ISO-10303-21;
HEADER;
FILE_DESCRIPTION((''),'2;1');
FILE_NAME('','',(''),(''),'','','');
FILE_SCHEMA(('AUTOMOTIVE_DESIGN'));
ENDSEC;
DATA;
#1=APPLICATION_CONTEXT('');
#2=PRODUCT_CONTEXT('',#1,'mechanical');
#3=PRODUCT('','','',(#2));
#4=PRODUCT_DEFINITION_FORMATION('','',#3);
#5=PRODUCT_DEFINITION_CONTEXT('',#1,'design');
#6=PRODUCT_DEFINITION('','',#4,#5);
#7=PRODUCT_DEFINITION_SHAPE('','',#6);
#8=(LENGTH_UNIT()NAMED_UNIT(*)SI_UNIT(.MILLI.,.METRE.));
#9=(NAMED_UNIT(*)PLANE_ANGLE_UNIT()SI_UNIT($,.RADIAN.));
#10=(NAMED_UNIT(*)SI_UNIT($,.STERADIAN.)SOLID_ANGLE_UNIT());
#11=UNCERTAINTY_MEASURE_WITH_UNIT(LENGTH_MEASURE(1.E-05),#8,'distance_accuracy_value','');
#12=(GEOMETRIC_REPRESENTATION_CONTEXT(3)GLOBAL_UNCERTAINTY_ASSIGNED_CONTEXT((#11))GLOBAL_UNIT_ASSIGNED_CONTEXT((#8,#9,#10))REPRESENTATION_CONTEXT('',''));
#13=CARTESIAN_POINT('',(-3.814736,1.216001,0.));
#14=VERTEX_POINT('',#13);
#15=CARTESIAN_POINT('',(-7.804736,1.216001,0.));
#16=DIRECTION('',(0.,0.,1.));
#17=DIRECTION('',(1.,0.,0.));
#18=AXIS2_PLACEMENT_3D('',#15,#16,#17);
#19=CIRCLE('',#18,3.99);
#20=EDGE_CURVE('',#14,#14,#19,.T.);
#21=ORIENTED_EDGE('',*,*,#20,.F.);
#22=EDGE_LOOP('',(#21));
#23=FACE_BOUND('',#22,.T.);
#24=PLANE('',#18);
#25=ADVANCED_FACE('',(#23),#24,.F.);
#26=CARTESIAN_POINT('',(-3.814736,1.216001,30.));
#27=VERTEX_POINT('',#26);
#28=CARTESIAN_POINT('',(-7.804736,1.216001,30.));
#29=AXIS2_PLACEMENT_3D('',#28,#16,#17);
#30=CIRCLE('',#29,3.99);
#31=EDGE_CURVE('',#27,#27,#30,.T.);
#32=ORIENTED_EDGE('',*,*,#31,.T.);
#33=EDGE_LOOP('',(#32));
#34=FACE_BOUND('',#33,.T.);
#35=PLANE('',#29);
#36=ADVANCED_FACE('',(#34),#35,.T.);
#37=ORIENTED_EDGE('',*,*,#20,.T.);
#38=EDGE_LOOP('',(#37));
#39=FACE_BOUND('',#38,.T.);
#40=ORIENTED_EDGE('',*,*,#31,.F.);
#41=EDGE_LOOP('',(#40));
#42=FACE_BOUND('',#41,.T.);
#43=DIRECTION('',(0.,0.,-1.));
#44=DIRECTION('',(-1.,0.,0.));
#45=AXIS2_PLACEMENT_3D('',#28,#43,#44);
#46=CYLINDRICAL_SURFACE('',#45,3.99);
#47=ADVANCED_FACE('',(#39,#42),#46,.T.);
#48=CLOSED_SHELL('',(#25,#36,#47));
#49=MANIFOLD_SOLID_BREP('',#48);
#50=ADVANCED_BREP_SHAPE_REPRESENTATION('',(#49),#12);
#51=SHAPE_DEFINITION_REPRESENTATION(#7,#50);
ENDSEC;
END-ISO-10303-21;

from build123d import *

# Parameters (mm, degrees)
SKETCH1_R           = 3.99
BOSS_EXTRUDE1_DEPTH = 30


with BuildPart() as part:
    # Sketch1 → Boss-Extrude1 (new body)
    with BuildSketch(Plane.XY):
        with Locations((-7.804735568, 1.216001185)):
            Circle(SKETCH1_R)
    extrude(amount=BOSS_EXTRUDE1_DEPTH)


solid = part.part
